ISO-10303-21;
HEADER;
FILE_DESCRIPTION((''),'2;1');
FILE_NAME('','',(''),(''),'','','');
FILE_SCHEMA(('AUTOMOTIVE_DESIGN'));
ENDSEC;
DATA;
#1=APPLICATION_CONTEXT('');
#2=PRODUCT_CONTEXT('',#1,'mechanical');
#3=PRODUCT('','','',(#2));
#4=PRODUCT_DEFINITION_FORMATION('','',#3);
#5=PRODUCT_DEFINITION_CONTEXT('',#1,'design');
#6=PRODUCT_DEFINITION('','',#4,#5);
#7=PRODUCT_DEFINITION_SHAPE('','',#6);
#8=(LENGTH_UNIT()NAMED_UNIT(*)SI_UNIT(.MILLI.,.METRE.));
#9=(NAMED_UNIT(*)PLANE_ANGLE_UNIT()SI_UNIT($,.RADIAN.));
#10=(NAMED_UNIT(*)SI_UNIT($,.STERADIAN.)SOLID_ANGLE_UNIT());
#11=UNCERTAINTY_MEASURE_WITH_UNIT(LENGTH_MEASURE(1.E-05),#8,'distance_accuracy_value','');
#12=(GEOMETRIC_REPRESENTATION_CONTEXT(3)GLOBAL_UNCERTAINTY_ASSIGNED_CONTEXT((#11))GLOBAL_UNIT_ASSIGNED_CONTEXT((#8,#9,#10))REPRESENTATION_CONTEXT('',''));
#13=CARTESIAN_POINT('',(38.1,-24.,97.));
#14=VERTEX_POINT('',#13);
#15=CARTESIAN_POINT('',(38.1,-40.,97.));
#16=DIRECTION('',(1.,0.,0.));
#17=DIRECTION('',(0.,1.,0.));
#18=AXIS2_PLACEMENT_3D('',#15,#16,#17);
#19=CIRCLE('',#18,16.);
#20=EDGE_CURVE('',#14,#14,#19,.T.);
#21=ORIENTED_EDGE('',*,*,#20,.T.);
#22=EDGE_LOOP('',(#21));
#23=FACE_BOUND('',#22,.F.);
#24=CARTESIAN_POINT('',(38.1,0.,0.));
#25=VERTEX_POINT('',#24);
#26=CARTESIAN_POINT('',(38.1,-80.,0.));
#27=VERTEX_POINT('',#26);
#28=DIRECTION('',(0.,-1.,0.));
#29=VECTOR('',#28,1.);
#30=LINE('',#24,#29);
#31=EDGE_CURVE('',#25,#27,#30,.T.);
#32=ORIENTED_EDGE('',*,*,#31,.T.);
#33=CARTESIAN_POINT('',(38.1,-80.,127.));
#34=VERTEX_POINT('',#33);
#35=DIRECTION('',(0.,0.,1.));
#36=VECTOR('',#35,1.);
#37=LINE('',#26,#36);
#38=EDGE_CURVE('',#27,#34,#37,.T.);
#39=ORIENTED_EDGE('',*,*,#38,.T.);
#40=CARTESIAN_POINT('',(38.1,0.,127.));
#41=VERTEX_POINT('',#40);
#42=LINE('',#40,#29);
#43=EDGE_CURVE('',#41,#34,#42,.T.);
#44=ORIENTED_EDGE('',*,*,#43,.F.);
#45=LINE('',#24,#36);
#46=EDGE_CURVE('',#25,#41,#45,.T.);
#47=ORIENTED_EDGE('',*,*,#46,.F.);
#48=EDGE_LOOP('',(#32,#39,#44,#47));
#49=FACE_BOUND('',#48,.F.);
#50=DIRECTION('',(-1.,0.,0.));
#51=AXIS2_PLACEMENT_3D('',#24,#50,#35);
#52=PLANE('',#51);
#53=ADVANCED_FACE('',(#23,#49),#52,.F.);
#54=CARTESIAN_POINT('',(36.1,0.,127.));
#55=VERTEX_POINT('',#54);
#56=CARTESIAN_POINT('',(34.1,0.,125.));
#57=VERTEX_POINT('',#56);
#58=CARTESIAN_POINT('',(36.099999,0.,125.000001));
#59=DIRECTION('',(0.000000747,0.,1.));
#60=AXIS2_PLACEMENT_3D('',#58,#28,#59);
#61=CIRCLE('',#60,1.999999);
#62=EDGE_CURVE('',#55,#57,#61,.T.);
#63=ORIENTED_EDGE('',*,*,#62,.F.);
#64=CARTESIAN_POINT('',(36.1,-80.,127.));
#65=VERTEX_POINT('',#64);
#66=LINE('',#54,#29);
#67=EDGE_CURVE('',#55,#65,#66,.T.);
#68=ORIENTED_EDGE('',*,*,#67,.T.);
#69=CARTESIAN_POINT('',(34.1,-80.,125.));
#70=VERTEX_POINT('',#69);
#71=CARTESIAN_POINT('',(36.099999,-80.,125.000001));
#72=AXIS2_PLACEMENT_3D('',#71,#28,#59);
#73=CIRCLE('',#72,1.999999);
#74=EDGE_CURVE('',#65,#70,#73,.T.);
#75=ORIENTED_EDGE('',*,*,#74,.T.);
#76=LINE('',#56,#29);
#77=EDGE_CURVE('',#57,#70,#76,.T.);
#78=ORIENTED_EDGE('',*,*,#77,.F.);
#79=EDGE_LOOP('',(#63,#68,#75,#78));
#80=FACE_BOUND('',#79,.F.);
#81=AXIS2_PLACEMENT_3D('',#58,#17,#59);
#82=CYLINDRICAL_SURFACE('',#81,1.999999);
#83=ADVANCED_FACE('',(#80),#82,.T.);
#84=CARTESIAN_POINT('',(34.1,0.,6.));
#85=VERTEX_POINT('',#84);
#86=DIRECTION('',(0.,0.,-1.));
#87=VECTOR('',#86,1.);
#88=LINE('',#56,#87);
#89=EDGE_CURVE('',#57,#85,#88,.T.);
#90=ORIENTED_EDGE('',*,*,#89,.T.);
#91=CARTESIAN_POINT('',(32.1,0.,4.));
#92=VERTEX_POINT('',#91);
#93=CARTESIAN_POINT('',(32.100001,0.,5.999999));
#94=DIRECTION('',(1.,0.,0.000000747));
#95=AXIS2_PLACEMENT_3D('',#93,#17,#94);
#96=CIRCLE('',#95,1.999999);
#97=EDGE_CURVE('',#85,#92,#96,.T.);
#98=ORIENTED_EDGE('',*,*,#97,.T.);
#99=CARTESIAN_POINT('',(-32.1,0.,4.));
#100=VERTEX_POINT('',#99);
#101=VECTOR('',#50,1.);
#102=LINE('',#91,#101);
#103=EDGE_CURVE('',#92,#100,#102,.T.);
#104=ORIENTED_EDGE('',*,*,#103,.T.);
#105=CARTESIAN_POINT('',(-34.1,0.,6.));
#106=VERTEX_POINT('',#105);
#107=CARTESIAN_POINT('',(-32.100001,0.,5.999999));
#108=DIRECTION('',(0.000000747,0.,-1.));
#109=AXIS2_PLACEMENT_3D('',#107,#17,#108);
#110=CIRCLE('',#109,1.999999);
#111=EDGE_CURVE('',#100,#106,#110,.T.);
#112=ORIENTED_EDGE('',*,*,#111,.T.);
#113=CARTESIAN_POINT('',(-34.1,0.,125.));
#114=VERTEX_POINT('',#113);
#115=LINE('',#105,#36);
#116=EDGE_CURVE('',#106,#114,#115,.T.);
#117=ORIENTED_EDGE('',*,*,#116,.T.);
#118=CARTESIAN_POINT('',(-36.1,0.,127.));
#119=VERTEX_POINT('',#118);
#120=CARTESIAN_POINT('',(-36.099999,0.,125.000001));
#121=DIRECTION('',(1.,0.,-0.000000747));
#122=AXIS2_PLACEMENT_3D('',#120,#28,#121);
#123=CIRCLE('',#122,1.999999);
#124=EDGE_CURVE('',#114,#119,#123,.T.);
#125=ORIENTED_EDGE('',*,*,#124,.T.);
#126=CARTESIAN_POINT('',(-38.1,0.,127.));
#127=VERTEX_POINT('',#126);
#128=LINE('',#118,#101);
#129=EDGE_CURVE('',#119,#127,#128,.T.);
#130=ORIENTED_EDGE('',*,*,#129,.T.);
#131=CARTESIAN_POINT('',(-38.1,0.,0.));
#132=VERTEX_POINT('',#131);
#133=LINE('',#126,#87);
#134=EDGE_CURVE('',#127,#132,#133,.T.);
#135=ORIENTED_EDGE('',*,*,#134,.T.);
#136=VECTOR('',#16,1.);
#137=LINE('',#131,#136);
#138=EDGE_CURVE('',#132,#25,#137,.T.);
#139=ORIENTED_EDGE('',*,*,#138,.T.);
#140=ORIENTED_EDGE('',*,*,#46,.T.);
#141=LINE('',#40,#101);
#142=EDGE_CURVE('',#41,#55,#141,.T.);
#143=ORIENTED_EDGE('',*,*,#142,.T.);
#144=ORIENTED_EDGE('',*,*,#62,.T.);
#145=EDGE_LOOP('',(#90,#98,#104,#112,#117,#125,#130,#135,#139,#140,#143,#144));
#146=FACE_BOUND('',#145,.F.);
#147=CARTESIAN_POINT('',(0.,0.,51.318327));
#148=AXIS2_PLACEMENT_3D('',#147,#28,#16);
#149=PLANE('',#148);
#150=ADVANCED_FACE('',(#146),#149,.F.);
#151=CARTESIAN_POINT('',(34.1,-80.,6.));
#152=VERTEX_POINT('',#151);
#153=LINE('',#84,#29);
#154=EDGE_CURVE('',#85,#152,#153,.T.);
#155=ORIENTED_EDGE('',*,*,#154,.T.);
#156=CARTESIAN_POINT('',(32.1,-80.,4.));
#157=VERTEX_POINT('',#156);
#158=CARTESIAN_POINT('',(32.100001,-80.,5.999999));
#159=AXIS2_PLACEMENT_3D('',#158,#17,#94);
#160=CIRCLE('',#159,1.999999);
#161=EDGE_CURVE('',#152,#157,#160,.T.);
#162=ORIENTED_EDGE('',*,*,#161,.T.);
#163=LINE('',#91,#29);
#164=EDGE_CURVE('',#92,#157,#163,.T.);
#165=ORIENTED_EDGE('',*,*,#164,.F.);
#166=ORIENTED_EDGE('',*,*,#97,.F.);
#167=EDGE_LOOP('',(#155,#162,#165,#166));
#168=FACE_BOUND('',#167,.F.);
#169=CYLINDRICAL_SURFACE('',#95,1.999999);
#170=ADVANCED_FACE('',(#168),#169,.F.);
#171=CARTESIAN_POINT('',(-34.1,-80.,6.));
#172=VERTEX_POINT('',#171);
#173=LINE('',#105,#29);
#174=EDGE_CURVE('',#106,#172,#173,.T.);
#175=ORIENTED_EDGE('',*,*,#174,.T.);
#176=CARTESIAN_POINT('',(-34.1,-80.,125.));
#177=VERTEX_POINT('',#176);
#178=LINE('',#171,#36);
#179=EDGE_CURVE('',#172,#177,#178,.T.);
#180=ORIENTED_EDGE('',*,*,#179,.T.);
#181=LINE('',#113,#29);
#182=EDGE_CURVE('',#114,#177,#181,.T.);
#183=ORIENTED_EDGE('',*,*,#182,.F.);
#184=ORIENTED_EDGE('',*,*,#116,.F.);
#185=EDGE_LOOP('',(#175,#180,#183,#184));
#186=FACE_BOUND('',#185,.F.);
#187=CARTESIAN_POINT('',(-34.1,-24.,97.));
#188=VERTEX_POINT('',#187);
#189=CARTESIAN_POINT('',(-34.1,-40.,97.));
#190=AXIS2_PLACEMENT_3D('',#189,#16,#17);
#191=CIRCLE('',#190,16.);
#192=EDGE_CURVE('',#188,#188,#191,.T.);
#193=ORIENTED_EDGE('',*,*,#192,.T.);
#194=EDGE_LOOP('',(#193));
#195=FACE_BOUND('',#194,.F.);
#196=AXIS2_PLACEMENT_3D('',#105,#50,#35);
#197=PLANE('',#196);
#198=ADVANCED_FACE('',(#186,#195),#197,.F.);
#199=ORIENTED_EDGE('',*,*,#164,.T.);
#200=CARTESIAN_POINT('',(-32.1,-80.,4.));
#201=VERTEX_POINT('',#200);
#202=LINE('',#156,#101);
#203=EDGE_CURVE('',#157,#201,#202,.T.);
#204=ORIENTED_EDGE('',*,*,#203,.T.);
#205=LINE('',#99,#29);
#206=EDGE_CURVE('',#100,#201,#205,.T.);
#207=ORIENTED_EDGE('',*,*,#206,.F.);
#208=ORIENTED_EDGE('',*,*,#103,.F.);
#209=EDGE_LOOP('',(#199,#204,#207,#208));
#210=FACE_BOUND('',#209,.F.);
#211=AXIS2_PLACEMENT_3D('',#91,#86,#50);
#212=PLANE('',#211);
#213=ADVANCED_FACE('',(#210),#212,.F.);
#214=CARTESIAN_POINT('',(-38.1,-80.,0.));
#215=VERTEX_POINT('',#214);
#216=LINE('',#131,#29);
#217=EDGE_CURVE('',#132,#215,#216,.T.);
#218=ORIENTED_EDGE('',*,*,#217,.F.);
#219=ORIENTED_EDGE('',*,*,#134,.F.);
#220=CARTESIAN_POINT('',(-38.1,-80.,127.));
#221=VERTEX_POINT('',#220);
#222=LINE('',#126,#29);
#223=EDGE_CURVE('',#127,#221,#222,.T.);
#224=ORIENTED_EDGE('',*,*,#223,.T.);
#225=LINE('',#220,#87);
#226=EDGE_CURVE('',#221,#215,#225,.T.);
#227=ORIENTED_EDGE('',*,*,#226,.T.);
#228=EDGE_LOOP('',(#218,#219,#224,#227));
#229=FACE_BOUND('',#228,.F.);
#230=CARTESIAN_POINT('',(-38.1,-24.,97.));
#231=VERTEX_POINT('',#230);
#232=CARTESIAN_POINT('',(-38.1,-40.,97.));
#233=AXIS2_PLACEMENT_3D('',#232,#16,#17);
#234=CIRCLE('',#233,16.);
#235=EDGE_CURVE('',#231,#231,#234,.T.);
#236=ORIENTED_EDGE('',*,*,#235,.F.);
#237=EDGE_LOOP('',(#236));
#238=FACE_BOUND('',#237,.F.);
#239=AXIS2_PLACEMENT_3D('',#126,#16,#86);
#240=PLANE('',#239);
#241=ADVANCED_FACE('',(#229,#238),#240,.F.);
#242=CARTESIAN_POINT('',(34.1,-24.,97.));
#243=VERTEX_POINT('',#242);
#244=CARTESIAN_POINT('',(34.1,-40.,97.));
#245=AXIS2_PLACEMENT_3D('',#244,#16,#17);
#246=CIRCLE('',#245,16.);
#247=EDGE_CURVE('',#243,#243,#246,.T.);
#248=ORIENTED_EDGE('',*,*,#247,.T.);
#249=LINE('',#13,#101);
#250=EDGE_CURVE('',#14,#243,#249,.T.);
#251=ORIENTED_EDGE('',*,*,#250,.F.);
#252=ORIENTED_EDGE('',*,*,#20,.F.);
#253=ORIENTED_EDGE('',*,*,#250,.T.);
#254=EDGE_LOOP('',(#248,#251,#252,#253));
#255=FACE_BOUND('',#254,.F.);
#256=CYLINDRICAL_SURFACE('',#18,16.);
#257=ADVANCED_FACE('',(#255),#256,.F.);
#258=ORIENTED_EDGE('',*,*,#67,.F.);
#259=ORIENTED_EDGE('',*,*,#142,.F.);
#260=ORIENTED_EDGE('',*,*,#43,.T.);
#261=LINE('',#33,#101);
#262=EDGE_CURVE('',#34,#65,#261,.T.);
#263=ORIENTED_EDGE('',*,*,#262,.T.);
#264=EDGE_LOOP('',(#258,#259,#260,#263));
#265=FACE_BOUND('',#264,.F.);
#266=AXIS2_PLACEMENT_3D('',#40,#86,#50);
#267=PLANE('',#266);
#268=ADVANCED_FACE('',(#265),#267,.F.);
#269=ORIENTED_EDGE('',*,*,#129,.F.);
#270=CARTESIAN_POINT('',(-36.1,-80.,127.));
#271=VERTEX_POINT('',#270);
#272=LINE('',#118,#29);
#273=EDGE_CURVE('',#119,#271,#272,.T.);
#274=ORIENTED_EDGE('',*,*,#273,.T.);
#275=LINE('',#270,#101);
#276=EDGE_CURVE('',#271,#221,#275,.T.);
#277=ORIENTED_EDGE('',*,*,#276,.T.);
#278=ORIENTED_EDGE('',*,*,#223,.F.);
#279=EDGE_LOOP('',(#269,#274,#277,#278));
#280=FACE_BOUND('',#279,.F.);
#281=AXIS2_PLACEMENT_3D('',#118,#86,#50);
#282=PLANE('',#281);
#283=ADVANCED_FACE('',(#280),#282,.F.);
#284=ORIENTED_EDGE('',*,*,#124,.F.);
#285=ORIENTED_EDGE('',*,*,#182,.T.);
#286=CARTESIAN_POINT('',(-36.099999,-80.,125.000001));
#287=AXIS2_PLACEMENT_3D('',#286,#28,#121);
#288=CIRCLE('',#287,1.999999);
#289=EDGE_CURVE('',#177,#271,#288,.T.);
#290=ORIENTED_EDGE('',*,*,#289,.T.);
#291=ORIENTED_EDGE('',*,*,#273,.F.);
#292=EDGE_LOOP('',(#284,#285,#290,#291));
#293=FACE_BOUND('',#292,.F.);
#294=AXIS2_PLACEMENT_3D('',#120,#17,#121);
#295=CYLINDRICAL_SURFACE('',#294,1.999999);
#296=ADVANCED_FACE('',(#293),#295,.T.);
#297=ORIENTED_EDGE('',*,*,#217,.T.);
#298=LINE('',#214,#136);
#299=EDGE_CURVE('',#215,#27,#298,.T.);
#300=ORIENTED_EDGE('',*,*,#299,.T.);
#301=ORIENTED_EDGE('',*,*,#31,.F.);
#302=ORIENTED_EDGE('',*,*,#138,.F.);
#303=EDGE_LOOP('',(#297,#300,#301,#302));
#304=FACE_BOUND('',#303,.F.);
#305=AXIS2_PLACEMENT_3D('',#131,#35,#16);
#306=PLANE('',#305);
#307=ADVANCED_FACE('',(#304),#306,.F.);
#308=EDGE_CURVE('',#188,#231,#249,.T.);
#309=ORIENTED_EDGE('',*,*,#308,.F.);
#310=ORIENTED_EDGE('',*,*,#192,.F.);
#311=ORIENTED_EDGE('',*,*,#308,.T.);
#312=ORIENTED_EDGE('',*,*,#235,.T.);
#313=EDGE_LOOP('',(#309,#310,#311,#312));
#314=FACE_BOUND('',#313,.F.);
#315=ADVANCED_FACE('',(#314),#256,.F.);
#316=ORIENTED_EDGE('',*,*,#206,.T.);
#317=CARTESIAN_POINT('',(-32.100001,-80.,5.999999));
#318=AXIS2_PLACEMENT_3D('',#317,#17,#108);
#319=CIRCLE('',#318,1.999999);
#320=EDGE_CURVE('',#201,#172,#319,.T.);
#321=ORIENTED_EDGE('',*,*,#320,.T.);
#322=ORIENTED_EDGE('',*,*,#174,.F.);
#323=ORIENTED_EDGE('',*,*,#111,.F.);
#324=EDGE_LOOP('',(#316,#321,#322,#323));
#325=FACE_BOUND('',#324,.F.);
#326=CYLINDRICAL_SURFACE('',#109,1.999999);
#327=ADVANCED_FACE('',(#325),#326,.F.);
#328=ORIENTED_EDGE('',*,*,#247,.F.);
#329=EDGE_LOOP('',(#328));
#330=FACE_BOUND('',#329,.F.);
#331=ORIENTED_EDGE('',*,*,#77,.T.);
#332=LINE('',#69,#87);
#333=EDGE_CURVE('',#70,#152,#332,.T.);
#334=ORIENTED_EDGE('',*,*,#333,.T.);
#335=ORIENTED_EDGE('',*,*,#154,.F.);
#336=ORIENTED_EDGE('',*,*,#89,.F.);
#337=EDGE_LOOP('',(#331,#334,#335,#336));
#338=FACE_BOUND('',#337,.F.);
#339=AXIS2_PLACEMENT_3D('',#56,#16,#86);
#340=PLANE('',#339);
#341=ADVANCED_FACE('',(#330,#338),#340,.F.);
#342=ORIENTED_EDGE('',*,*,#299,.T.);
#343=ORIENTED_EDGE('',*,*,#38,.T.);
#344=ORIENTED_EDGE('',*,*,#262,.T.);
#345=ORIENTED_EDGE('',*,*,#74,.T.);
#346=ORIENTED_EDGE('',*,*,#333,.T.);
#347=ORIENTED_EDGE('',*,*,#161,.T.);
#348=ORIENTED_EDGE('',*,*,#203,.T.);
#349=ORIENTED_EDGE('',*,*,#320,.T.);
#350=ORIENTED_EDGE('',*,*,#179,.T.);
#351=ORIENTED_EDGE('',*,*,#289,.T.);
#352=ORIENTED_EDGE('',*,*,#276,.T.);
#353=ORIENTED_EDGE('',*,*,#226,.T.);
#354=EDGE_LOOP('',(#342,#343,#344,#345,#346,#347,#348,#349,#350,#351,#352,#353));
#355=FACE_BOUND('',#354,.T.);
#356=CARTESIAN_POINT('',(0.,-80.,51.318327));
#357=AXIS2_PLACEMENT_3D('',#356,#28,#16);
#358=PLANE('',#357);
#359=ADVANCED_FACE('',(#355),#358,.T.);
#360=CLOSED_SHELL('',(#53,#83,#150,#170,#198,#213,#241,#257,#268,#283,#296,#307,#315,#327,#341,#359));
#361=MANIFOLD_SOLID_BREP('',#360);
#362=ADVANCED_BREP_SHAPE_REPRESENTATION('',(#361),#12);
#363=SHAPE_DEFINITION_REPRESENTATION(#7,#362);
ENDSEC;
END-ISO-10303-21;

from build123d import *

# Parameters (mm, degrees)
F1_DEPTH = 80
F2_R     = 16
F3_DEPTH = 85


with BuildPart() as f1:
    # F0 (on Front) → F1 (new body)
    with BuildSketch(Plane.XZ):
        with BuildLine():
            Line((-38.1, 127), (-38.1, 0))
            Line((-38.1, 0), (0, 0))
            Line((0, 0), (38.1, 0))
            Line((38.1, 0), (38.1, 127))
            Line((38.1, 127), (36.1, 127))
            ThreePointArc((36.1, 127), (34.685786, 126.414214), (34.1, 125))
            Line((34.1, 125), (34.1, 6))
            ThreePointArc((34.1, 6), (33.514214, 4.585786), (32.1, 4))
            Line((32.1, 4), (0, 4))
            Line((0, 4), (-32.1, 4))
            ThreePointArc((-32.1, 4), (-33.514214, 4.585786), (-34.1, 6))
            Line((-34.1, 6), (-34.1, 125))
            ThreePointArc((-34.1, 125), (-34.685786, 126.414214), (-36.1, 127))
            Line((-36.1, 127), (-38.1, 127))
        make_face()
    extrude(amount=F1_DEPTH)

    # F2 (on face) → F3 (cut)
    with BuildSketch(Plane.YZ.offset(38.1)):
        with Locations((-40, 97)):
            Circle(F2_R)
    extrude(amount=-F3_DEPTH, mode=Mode.SUBTRACT)


solid = f1.part
